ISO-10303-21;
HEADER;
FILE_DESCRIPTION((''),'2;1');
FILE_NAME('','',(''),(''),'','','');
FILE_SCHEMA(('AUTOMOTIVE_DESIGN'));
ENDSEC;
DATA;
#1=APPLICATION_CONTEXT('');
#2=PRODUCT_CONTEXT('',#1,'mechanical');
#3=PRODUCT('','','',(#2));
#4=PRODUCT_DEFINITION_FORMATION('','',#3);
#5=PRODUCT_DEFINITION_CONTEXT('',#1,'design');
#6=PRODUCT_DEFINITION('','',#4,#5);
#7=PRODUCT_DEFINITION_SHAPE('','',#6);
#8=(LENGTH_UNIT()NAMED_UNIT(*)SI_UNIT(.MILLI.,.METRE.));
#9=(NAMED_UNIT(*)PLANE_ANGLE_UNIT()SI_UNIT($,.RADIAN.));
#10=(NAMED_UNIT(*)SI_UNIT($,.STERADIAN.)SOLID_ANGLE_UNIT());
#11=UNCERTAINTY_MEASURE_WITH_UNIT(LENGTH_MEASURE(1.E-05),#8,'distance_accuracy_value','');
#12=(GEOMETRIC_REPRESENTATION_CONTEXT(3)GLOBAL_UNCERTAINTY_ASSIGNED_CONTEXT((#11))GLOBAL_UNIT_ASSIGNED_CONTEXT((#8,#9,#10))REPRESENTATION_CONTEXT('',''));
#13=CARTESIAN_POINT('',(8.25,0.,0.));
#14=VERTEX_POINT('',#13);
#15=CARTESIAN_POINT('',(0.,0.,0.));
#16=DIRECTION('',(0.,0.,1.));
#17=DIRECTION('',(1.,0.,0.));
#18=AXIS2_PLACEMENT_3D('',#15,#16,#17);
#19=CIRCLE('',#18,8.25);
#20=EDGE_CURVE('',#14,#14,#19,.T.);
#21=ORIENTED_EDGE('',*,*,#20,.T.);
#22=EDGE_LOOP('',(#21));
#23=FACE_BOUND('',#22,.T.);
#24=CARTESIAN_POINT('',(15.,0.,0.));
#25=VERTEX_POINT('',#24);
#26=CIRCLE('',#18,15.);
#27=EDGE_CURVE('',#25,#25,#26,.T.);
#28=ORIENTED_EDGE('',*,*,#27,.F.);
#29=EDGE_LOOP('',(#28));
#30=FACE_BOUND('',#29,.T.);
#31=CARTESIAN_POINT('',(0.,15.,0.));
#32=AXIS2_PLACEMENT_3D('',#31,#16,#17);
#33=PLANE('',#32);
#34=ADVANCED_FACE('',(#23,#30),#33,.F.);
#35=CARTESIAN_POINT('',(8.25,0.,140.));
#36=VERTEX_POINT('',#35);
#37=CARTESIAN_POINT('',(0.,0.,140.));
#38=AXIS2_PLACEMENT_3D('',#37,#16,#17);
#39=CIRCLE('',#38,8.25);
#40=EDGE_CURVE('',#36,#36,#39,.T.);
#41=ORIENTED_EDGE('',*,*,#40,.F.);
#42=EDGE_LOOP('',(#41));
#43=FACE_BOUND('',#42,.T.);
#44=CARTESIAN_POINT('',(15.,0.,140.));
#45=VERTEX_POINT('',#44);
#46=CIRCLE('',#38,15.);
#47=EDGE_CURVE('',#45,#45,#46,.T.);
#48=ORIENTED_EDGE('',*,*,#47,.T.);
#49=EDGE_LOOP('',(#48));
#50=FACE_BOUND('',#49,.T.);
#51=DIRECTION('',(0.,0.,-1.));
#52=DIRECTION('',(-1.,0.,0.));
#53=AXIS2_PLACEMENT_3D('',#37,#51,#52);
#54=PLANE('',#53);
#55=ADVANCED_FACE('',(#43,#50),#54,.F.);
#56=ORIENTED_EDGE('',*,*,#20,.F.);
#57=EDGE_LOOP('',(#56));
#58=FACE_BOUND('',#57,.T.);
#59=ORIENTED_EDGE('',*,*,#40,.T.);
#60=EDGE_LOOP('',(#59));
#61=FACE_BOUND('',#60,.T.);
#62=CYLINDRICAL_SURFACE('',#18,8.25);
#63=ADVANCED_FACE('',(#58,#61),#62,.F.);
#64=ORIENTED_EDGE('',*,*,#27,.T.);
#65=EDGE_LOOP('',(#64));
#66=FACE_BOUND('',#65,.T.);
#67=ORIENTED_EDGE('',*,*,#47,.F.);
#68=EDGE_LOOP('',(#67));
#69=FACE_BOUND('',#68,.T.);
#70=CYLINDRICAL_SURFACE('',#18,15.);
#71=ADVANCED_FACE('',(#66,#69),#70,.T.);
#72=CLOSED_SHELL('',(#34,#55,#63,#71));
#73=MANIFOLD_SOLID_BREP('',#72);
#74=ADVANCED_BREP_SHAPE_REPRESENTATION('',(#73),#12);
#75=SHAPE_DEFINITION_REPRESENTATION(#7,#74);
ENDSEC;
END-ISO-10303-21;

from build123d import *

# Parameters (mm, degrees)
SZKIC1_W = 140
SZKIC1_H = 15
SZKIC2_W = 140
SZKIC2_H = 8.25


with BuildPart() as part:
    # Szkic1 → Obrót1 (revolve)
    with BuildSketch(Plane(origin=(0, 0, 0), x_dir=(0, 0, -1), z_dir=(1, 0, 0))):
        with Locations((-70, 7.5)):
            Rectangle(SZKIC1_W, SZKIC1_H)
    revolve(axis=Axis((0, 0, 0), (0, 0, 1)))

    # Szkic2 → Wycięcie-obrót1 (revolve, cut)
    with BuildSketch(Plane(origin=(0, 0, 0), x_dir=(0, 0, -1), z_dir=(1, 0, 0))):
        with Locations((-70, 4.125)):
            Rectangle(SZKIC2_W, SZKIC2_H)
    revolve(axis=Axis((0, 0, 0), (0, 0, 1)), mode=Mode.SUBTRACT)


solid = part.part
